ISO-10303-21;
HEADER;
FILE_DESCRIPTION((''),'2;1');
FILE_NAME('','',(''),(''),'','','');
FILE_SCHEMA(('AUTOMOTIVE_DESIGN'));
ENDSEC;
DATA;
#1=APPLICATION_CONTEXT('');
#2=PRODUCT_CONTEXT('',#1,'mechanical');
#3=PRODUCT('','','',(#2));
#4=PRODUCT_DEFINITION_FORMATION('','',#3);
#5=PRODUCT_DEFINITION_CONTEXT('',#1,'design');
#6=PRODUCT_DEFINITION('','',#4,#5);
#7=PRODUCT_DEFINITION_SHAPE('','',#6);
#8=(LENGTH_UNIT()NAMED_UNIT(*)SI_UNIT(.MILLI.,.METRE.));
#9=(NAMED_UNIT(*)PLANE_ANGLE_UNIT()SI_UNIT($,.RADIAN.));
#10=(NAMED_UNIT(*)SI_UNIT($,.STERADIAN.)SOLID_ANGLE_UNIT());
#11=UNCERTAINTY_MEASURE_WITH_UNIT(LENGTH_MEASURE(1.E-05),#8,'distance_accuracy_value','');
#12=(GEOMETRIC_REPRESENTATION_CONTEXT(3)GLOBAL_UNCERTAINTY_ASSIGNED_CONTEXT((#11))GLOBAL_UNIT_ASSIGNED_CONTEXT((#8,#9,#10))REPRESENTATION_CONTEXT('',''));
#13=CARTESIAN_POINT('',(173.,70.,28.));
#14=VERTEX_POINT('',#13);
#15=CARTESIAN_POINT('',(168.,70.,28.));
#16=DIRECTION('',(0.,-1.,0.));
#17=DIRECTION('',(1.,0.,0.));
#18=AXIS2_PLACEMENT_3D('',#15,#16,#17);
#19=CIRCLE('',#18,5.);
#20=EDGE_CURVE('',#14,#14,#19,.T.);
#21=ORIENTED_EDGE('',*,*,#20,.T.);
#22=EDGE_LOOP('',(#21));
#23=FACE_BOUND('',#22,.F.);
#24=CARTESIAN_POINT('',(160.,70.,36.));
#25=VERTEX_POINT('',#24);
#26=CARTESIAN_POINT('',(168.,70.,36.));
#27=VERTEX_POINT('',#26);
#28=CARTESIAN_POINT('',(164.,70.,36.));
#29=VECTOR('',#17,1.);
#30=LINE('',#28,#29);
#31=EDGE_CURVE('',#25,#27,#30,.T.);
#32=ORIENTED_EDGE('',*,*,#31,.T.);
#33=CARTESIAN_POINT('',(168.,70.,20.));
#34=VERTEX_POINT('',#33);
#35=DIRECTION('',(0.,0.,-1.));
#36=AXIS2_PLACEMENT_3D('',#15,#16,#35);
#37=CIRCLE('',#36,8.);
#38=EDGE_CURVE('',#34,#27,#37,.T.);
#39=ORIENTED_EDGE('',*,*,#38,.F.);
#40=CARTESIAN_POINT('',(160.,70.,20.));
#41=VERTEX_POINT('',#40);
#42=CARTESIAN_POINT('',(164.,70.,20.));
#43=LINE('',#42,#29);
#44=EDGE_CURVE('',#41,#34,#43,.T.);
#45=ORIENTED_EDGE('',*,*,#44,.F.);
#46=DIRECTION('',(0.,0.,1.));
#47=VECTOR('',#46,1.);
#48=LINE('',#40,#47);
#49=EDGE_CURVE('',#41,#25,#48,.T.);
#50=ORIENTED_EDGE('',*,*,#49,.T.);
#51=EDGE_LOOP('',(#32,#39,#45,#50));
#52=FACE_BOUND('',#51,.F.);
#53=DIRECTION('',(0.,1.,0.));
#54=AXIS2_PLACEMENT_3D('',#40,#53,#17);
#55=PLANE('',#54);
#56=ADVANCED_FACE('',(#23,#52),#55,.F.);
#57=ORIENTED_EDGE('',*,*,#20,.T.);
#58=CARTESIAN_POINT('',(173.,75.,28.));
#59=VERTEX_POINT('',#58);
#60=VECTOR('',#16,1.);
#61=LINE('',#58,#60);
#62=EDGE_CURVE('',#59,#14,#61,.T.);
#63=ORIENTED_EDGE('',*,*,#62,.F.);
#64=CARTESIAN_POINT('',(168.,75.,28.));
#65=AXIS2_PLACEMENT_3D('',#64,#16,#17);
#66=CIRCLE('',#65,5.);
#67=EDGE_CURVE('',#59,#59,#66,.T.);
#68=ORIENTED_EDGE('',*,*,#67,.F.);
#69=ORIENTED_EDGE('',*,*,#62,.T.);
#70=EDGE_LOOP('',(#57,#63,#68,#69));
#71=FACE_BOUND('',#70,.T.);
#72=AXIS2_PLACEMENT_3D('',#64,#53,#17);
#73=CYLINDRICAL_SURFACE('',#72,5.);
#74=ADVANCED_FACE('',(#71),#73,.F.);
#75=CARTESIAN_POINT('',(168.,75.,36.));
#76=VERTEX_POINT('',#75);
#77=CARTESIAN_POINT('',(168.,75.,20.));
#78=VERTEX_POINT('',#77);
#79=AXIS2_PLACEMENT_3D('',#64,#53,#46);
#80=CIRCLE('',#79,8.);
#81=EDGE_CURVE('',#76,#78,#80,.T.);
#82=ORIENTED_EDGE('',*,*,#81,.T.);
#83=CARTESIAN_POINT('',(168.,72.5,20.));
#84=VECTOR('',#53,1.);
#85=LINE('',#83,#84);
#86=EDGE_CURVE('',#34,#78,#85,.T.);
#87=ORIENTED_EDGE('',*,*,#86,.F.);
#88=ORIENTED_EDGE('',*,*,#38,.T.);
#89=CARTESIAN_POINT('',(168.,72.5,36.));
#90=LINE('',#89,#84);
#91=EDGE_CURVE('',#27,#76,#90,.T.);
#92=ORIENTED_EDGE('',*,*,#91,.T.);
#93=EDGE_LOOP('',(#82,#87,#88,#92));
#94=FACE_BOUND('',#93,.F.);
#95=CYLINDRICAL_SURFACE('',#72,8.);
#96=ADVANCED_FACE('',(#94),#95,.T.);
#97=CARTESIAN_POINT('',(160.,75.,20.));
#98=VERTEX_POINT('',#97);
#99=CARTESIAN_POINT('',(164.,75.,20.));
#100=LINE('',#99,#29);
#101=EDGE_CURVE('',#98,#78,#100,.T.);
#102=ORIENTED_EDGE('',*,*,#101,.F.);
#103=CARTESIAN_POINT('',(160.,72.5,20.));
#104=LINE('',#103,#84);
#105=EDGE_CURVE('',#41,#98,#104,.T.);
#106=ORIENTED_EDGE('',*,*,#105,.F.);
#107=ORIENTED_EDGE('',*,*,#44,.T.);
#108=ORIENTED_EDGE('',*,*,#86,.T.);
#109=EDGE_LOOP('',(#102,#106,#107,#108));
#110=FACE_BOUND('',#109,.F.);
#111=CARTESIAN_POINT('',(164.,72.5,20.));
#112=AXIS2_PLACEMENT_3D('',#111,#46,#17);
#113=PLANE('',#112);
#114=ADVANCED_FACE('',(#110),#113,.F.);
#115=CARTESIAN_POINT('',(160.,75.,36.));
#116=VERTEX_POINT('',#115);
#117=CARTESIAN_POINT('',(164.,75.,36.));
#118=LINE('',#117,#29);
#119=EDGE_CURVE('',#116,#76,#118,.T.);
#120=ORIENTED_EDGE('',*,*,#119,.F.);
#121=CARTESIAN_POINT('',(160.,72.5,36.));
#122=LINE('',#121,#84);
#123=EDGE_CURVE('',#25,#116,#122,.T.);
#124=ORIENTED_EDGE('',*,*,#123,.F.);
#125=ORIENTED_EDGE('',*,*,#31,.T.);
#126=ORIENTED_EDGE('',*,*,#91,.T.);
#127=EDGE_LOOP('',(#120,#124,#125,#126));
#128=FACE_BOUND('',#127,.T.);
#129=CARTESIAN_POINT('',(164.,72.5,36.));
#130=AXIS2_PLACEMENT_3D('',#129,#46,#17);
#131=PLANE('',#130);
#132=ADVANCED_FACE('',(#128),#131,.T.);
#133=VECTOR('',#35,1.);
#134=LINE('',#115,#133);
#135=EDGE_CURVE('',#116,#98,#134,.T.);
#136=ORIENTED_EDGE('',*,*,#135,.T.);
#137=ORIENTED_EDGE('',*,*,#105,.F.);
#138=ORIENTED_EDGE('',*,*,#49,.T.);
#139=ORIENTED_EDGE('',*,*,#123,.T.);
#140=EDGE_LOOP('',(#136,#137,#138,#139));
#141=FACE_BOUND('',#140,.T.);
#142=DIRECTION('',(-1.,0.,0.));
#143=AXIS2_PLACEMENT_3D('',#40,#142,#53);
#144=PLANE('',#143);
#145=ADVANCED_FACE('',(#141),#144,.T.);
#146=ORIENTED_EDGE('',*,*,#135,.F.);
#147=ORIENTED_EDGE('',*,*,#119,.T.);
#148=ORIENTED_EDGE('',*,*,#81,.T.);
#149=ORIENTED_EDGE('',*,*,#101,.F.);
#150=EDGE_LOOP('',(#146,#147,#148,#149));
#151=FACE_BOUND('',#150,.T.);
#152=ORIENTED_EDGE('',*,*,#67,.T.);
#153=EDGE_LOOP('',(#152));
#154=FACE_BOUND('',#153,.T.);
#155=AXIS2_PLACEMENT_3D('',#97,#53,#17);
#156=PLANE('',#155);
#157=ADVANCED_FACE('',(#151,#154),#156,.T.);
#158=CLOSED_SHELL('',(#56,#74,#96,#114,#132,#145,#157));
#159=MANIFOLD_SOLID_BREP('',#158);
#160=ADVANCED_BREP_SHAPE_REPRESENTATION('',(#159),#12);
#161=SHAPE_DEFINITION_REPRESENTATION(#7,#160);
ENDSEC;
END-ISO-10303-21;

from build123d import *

# Parameters (mm, degrees)
CYLINDER024_R          = 5
CYLINDER024_DEPTH      = 5
CYLINDER024_ROLL_ANGLE = 90
BOX031_W               = 8
BOX031_H               = 5
BOX031_DEPTH           = 16
CYLINDER023_R          = 8
CYLINDER023_DEPTH      = 5
CYLINDER023_ROLL_ANGLE = 90


with BuildPart() as zylinder010:
    # Cylinder024 → Cylinder024 (new body)
    with BuildSketch(Plane.XY):
        Circle(CYLINDER024_R)
    extrude(amount=CYLINDER024_DEPTH)


with BuildPart() as zylinder010_1:
    # Cylinder024 roll: moved
    add(zylinder010.part.rotate(Axis((0, 0, 0), (1, 0, 0)), CYLINDER024_ROLL_ANGLE))


with BuildPart() as zylinder010_2:
    # Cylinder024 placement: moved
    add(zylinder010_1.part.moved(Location((8, 5, 8))))


with BuildPart() as w_rfel024:
    # Box031 → Box031 (new body)
    with BuildSketch(Plane.XY):
        with Locations((4, 2.5)):
            Rectangle(BOX031_W, BOX031_H)
    extrude(amount=BOX031_DEPTH)


with BuildPart() as fixier_se_schmal:
    # Cylinder023 → Cylinder023 (new body)
    with BuildSketch(Plane.XY):
        Circle(CYLINDER023_R)
    extrude(amount=CYLINDER023_DEPTH)


with BuildPart() as fixier_se_schmal_1:
    # Cylinder023 roll: moved
    add(fixier_se_schmal.part.rotate(Axis((0, 0, 0), (1, 0, 0)), CYLINDER023_ROLL_ANGLE))


with BuildPart() as fixier_se_schmal_2:
    # Cylinder023 placement: moved
    add(fixier_se_schmal_1.part.moved(Location((8, 5, 8))))

    # Fusion016: union Würfel024
    add(w_rfel024.part)

    # Cut021: cut Zylinder010
    add(zylinder010_2.part, mode=Mode.SUBTRACT)


with BuildPart() as fixier_se_schmal_3:
    # Cut021 placement: moved
    add(fixier_se_schmal_2.part.moved(Location((160, 70, 20))))


solid = fixier_se_schmal_3.part
